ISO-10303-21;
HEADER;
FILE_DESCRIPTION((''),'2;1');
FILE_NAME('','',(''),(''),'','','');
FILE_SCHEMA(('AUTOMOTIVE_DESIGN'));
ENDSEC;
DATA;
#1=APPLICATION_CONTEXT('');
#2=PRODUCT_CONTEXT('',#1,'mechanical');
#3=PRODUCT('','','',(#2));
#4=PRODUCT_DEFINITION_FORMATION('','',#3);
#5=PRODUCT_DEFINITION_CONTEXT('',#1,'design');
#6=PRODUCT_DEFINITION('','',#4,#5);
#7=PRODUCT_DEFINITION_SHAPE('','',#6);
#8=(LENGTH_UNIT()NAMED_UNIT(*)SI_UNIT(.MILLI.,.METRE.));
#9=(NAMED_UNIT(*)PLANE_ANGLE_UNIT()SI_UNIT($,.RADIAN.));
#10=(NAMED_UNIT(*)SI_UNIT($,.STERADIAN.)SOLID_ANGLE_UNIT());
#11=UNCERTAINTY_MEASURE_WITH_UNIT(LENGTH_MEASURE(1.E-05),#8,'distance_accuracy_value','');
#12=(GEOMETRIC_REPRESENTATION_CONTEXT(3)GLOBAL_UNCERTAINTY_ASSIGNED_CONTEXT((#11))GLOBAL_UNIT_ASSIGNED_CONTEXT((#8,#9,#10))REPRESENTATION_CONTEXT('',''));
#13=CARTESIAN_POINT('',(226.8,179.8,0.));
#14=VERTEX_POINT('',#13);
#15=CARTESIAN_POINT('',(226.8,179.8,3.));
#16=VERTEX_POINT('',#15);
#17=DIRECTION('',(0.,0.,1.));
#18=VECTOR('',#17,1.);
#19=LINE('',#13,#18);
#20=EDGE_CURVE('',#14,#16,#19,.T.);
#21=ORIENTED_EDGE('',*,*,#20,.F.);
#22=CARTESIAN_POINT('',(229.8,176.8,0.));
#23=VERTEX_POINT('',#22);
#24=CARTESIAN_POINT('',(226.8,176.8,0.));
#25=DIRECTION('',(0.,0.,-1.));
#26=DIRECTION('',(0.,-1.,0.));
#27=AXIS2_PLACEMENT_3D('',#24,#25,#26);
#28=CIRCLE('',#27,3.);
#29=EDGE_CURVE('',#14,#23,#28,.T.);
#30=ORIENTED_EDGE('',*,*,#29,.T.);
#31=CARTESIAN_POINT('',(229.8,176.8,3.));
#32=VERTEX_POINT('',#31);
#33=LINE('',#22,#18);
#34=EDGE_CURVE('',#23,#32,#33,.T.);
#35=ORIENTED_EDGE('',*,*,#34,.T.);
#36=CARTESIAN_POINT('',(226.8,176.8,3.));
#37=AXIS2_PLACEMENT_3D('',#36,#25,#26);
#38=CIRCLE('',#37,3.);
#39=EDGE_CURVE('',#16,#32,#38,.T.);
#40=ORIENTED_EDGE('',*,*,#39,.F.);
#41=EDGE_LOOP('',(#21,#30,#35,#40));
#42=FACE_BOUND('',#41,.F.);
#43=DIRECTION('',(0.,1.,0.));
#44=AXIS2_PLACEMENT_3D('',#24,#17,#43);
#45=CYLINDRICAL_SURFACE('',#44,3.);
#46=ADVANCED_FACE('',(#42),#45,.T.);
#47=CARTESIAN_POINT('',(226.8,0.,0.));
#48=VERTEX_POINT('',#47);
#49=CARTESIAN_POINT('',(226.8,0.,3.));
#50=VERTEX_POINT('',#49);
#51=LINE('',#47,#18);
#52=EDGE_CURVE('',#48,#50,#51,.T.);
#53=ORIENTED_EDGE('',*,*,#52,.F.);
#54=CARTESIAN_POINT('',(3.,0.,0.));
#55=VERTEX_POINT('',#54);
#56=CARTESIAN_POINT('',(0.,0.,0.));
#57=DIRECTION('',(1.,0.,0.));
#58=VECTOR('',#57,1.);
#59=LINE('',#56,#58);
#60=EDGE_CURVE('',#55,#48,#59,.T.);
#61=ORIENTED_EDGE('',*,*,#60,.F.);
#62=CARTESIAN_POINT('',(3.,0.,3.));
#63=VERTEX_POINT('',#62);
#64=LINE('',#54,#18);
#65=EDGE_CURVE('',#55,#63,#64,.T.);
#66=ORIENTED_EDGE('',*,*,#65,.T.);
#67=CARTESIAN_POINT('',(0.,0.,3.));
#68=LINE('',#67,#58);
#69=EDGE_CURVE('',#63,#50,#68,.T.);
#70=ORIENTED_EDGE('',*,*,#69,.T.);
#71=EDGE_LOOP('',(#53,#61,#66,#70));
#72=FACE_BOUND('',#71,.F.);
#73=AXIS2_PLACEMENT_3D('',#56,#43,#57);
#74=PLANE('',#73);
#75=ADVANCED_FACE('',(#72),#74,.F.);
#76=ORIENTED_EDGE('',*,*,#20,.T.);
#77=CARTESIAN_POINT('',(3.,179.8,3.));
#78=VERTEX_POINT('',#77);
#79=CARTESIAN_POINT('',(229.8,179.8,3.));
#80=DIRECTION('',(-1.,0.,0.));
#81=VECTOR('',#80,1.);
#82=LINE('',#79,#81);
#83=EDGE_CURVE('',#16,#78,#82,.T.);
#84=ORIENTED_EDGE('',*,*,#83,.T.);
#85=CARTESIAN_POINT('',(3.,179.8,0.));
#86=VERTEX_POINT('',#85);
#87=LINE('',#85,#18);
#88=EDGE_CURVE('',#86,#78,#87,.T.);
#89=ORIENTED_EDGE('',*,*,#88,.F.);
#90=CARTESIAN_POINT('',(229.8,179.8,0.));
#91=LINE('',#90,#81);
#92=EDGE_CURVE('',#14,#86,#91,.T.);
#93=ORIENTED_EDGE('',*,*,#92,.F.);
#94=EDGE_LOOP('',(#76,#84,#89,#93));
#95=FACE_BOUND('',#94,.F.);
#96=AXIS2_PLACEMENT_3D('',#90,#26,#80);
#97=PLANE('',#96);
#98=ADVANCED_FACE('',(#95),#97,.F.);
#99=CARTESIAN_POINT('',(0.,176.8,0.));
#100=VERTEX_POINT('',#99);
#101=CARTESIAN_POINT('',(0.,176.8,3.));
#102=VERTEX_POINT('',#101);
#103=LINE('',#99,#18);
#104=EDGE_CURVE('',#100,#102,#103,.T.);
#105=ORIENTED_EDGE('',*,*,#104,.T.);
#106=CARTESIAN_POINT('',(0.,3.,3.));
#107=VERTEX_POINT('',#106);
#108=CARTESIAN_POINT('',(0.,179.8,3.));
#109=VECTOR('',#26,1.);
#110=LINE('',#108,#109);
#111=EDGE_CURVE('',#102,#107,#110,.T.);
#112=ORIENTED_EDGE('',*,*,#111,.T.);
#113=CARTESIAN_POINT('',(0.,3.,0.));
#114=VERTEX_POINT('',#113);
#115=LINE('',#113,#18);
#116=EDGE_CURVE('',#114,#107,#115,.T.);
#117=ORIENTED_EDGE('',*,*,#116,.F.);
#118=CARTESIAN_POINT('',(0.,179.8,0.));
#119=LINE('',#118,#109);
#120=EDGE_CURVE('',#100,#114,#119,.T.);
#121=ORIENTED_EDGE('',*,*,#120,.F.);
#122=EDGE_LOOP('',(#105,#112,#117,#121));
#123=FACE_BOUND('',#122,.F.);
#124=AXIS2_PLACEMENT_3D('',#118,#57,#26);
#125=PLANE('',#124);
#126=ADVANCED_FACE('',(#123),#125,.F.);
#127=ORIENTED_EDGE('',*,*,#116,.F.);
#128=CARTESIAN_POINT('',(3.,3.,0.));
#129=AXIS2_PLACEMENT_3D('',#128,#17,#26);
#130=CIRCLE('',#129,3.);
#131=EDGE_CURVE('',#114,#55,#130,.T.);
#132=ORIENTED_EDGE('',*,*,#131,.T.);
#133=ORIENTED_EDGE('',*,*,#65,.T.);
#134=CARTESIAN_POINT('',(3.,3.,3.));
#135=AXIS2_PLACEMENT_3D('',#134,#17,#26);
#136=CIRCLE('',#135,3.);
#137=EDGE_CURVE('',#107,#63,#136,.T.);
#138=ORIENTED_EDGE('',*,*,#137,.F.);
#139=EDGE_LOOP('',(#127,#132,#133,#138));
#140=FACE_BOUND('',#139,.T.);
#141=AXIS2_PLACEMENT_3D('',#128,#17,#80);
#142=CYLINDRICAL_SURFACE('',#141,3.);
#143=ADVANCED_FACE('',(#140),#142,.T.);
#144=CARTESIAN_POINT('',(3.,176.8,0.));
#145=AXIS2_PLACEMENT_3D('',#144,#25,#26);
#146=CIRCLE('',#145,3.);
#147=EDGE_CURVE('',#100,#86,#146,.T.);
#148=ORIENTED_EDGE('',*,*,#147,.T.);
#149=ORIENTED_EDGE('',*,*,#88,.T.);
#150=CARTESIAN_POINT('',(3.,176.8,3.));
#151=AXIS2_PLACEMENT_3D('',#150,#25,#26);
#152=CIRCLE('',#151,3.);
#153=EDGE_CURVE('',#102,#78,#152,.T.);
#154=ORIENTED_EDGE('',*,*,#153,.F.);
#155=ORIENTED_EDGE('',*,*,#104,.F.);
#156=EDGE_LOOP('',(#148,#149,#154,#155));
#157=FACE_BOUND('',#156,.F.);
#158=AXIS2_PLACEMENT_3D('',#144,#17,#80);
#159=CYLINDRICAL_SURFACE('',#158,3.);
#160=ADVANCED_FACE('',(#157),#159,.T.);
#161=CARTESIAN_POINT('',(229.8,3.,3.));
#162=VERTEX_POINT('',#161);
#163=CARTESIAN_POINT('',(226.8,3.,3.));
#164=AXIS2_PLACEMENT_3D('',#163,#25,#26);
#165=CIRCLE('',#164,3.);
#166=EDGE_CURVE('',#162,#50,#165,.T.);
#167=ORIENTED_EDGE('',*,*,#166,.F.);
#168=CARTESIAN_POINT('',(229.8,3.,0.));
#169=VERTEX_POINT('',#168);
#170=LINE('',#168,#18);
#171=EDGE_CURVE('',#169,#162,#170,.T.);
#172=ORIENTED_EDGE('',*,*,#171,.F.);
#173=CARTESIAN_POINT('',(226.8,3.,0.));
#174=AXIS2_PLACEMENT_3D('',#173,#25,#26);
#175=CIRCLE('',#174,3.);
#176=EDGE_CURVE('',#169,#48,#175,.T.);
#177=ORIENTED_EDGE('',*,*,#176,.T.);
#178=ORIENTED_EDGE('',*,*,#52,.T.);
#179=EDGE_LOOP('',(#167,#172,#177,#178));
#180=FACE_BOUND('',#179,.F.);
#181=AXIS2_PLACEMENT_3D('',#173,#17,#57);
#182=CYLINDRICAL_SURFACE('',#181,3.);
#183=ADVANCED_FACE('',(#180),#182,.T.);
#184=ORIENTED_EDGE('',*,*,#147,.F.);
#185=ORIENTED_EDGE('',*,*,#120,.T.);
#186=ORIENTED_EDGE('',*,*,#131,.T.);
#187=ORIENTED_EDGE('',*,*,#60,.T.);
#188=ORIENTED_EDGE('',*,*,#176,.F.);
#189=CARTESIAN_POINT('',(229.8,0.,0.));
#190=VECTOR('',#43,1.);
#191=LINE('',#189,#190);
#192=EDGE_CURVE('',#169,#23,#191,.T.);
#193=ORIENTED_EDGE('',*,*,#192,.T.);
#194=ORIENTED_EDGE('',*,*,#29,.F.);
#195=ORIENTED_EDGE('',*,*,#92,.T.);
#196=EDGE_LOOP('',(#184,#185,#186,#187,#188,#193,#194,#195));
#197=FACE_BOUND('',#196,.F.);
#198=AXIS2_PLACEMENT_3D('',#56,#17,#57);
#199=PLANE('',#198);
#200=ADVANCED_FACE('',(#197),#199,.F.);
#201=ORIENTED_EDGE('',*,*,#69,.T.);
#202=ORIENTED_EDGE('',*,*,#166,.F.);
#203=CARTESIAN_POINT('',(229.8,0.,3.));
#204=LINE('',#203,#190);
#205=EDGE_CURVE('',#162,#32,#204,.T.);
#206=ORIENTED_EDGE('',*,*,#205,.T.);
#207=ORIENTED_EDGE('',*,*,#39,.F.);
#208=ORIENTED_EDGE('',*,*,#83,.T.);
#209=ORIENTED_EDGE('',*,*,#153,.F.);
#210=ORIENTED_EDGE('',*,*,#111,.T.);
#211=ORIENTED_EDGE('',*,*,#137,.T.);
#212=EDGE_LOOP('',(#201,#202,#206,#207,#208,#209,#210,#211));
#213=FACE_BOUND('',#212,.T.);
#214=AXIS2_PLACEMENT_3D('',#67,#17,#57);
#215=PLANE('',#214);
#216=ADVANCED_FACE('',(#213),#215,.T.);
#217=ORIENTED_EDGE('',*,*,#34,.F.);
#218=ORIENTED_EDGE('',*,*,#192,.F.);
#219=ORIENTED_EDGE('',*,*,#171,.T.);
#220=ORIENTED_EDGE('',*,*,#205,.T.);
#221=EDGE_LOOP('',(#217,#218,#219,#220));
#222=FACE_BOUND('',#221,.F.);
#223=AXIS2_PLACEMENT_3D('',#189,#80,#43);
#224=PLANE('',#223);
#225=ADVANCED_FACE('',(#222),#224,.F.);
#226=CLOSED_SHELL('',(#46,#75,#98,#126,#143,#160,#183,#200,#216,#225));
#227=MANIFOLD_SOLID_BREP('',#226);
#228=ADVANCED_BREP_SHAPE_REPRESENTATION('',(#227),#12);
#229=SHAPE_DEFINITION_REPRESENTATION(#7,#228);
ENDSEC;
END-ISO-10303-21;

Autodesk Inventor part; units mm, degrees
ref_plane "YZ Plane" through (0, 0, 0) normal (1, 0, 0) x (0, 1, 0)
ref_plane "XZ Plane" through (0, 0, 0) normal (0, 1, 0) x (-1, 0, 0)
ref_plane "XY Plane" through (0, 0, 0) normal (0, 0, 1) x (1, 0, 0)
sketch "Sketch1" plane through (0, 0, 0) normal (0, 0, 1) x (1, 0, 0)
  line L0 (0, 0) -> (229.8, 0)
  line L1 (229.8, 0) -> (229.8, 179.8)
  line L2 (229.8, 179.8) -> (0, 179.8)
  line L3 (0, 179.8) -> (0, 0)
  dimension "d0" = 229.8
  dimension "d1" = 179.8
extrude "Extrusion1" add sketch "Sketch1" along normal blind 3
fillet "Fillet1" radius 3 4 edges at (0, 179.8, 1.5) (229.8, 179.8, 1.5) (229.8, 0, 1.5) (0, 0, 1.5)
properties part number "ChamberBackSide"
